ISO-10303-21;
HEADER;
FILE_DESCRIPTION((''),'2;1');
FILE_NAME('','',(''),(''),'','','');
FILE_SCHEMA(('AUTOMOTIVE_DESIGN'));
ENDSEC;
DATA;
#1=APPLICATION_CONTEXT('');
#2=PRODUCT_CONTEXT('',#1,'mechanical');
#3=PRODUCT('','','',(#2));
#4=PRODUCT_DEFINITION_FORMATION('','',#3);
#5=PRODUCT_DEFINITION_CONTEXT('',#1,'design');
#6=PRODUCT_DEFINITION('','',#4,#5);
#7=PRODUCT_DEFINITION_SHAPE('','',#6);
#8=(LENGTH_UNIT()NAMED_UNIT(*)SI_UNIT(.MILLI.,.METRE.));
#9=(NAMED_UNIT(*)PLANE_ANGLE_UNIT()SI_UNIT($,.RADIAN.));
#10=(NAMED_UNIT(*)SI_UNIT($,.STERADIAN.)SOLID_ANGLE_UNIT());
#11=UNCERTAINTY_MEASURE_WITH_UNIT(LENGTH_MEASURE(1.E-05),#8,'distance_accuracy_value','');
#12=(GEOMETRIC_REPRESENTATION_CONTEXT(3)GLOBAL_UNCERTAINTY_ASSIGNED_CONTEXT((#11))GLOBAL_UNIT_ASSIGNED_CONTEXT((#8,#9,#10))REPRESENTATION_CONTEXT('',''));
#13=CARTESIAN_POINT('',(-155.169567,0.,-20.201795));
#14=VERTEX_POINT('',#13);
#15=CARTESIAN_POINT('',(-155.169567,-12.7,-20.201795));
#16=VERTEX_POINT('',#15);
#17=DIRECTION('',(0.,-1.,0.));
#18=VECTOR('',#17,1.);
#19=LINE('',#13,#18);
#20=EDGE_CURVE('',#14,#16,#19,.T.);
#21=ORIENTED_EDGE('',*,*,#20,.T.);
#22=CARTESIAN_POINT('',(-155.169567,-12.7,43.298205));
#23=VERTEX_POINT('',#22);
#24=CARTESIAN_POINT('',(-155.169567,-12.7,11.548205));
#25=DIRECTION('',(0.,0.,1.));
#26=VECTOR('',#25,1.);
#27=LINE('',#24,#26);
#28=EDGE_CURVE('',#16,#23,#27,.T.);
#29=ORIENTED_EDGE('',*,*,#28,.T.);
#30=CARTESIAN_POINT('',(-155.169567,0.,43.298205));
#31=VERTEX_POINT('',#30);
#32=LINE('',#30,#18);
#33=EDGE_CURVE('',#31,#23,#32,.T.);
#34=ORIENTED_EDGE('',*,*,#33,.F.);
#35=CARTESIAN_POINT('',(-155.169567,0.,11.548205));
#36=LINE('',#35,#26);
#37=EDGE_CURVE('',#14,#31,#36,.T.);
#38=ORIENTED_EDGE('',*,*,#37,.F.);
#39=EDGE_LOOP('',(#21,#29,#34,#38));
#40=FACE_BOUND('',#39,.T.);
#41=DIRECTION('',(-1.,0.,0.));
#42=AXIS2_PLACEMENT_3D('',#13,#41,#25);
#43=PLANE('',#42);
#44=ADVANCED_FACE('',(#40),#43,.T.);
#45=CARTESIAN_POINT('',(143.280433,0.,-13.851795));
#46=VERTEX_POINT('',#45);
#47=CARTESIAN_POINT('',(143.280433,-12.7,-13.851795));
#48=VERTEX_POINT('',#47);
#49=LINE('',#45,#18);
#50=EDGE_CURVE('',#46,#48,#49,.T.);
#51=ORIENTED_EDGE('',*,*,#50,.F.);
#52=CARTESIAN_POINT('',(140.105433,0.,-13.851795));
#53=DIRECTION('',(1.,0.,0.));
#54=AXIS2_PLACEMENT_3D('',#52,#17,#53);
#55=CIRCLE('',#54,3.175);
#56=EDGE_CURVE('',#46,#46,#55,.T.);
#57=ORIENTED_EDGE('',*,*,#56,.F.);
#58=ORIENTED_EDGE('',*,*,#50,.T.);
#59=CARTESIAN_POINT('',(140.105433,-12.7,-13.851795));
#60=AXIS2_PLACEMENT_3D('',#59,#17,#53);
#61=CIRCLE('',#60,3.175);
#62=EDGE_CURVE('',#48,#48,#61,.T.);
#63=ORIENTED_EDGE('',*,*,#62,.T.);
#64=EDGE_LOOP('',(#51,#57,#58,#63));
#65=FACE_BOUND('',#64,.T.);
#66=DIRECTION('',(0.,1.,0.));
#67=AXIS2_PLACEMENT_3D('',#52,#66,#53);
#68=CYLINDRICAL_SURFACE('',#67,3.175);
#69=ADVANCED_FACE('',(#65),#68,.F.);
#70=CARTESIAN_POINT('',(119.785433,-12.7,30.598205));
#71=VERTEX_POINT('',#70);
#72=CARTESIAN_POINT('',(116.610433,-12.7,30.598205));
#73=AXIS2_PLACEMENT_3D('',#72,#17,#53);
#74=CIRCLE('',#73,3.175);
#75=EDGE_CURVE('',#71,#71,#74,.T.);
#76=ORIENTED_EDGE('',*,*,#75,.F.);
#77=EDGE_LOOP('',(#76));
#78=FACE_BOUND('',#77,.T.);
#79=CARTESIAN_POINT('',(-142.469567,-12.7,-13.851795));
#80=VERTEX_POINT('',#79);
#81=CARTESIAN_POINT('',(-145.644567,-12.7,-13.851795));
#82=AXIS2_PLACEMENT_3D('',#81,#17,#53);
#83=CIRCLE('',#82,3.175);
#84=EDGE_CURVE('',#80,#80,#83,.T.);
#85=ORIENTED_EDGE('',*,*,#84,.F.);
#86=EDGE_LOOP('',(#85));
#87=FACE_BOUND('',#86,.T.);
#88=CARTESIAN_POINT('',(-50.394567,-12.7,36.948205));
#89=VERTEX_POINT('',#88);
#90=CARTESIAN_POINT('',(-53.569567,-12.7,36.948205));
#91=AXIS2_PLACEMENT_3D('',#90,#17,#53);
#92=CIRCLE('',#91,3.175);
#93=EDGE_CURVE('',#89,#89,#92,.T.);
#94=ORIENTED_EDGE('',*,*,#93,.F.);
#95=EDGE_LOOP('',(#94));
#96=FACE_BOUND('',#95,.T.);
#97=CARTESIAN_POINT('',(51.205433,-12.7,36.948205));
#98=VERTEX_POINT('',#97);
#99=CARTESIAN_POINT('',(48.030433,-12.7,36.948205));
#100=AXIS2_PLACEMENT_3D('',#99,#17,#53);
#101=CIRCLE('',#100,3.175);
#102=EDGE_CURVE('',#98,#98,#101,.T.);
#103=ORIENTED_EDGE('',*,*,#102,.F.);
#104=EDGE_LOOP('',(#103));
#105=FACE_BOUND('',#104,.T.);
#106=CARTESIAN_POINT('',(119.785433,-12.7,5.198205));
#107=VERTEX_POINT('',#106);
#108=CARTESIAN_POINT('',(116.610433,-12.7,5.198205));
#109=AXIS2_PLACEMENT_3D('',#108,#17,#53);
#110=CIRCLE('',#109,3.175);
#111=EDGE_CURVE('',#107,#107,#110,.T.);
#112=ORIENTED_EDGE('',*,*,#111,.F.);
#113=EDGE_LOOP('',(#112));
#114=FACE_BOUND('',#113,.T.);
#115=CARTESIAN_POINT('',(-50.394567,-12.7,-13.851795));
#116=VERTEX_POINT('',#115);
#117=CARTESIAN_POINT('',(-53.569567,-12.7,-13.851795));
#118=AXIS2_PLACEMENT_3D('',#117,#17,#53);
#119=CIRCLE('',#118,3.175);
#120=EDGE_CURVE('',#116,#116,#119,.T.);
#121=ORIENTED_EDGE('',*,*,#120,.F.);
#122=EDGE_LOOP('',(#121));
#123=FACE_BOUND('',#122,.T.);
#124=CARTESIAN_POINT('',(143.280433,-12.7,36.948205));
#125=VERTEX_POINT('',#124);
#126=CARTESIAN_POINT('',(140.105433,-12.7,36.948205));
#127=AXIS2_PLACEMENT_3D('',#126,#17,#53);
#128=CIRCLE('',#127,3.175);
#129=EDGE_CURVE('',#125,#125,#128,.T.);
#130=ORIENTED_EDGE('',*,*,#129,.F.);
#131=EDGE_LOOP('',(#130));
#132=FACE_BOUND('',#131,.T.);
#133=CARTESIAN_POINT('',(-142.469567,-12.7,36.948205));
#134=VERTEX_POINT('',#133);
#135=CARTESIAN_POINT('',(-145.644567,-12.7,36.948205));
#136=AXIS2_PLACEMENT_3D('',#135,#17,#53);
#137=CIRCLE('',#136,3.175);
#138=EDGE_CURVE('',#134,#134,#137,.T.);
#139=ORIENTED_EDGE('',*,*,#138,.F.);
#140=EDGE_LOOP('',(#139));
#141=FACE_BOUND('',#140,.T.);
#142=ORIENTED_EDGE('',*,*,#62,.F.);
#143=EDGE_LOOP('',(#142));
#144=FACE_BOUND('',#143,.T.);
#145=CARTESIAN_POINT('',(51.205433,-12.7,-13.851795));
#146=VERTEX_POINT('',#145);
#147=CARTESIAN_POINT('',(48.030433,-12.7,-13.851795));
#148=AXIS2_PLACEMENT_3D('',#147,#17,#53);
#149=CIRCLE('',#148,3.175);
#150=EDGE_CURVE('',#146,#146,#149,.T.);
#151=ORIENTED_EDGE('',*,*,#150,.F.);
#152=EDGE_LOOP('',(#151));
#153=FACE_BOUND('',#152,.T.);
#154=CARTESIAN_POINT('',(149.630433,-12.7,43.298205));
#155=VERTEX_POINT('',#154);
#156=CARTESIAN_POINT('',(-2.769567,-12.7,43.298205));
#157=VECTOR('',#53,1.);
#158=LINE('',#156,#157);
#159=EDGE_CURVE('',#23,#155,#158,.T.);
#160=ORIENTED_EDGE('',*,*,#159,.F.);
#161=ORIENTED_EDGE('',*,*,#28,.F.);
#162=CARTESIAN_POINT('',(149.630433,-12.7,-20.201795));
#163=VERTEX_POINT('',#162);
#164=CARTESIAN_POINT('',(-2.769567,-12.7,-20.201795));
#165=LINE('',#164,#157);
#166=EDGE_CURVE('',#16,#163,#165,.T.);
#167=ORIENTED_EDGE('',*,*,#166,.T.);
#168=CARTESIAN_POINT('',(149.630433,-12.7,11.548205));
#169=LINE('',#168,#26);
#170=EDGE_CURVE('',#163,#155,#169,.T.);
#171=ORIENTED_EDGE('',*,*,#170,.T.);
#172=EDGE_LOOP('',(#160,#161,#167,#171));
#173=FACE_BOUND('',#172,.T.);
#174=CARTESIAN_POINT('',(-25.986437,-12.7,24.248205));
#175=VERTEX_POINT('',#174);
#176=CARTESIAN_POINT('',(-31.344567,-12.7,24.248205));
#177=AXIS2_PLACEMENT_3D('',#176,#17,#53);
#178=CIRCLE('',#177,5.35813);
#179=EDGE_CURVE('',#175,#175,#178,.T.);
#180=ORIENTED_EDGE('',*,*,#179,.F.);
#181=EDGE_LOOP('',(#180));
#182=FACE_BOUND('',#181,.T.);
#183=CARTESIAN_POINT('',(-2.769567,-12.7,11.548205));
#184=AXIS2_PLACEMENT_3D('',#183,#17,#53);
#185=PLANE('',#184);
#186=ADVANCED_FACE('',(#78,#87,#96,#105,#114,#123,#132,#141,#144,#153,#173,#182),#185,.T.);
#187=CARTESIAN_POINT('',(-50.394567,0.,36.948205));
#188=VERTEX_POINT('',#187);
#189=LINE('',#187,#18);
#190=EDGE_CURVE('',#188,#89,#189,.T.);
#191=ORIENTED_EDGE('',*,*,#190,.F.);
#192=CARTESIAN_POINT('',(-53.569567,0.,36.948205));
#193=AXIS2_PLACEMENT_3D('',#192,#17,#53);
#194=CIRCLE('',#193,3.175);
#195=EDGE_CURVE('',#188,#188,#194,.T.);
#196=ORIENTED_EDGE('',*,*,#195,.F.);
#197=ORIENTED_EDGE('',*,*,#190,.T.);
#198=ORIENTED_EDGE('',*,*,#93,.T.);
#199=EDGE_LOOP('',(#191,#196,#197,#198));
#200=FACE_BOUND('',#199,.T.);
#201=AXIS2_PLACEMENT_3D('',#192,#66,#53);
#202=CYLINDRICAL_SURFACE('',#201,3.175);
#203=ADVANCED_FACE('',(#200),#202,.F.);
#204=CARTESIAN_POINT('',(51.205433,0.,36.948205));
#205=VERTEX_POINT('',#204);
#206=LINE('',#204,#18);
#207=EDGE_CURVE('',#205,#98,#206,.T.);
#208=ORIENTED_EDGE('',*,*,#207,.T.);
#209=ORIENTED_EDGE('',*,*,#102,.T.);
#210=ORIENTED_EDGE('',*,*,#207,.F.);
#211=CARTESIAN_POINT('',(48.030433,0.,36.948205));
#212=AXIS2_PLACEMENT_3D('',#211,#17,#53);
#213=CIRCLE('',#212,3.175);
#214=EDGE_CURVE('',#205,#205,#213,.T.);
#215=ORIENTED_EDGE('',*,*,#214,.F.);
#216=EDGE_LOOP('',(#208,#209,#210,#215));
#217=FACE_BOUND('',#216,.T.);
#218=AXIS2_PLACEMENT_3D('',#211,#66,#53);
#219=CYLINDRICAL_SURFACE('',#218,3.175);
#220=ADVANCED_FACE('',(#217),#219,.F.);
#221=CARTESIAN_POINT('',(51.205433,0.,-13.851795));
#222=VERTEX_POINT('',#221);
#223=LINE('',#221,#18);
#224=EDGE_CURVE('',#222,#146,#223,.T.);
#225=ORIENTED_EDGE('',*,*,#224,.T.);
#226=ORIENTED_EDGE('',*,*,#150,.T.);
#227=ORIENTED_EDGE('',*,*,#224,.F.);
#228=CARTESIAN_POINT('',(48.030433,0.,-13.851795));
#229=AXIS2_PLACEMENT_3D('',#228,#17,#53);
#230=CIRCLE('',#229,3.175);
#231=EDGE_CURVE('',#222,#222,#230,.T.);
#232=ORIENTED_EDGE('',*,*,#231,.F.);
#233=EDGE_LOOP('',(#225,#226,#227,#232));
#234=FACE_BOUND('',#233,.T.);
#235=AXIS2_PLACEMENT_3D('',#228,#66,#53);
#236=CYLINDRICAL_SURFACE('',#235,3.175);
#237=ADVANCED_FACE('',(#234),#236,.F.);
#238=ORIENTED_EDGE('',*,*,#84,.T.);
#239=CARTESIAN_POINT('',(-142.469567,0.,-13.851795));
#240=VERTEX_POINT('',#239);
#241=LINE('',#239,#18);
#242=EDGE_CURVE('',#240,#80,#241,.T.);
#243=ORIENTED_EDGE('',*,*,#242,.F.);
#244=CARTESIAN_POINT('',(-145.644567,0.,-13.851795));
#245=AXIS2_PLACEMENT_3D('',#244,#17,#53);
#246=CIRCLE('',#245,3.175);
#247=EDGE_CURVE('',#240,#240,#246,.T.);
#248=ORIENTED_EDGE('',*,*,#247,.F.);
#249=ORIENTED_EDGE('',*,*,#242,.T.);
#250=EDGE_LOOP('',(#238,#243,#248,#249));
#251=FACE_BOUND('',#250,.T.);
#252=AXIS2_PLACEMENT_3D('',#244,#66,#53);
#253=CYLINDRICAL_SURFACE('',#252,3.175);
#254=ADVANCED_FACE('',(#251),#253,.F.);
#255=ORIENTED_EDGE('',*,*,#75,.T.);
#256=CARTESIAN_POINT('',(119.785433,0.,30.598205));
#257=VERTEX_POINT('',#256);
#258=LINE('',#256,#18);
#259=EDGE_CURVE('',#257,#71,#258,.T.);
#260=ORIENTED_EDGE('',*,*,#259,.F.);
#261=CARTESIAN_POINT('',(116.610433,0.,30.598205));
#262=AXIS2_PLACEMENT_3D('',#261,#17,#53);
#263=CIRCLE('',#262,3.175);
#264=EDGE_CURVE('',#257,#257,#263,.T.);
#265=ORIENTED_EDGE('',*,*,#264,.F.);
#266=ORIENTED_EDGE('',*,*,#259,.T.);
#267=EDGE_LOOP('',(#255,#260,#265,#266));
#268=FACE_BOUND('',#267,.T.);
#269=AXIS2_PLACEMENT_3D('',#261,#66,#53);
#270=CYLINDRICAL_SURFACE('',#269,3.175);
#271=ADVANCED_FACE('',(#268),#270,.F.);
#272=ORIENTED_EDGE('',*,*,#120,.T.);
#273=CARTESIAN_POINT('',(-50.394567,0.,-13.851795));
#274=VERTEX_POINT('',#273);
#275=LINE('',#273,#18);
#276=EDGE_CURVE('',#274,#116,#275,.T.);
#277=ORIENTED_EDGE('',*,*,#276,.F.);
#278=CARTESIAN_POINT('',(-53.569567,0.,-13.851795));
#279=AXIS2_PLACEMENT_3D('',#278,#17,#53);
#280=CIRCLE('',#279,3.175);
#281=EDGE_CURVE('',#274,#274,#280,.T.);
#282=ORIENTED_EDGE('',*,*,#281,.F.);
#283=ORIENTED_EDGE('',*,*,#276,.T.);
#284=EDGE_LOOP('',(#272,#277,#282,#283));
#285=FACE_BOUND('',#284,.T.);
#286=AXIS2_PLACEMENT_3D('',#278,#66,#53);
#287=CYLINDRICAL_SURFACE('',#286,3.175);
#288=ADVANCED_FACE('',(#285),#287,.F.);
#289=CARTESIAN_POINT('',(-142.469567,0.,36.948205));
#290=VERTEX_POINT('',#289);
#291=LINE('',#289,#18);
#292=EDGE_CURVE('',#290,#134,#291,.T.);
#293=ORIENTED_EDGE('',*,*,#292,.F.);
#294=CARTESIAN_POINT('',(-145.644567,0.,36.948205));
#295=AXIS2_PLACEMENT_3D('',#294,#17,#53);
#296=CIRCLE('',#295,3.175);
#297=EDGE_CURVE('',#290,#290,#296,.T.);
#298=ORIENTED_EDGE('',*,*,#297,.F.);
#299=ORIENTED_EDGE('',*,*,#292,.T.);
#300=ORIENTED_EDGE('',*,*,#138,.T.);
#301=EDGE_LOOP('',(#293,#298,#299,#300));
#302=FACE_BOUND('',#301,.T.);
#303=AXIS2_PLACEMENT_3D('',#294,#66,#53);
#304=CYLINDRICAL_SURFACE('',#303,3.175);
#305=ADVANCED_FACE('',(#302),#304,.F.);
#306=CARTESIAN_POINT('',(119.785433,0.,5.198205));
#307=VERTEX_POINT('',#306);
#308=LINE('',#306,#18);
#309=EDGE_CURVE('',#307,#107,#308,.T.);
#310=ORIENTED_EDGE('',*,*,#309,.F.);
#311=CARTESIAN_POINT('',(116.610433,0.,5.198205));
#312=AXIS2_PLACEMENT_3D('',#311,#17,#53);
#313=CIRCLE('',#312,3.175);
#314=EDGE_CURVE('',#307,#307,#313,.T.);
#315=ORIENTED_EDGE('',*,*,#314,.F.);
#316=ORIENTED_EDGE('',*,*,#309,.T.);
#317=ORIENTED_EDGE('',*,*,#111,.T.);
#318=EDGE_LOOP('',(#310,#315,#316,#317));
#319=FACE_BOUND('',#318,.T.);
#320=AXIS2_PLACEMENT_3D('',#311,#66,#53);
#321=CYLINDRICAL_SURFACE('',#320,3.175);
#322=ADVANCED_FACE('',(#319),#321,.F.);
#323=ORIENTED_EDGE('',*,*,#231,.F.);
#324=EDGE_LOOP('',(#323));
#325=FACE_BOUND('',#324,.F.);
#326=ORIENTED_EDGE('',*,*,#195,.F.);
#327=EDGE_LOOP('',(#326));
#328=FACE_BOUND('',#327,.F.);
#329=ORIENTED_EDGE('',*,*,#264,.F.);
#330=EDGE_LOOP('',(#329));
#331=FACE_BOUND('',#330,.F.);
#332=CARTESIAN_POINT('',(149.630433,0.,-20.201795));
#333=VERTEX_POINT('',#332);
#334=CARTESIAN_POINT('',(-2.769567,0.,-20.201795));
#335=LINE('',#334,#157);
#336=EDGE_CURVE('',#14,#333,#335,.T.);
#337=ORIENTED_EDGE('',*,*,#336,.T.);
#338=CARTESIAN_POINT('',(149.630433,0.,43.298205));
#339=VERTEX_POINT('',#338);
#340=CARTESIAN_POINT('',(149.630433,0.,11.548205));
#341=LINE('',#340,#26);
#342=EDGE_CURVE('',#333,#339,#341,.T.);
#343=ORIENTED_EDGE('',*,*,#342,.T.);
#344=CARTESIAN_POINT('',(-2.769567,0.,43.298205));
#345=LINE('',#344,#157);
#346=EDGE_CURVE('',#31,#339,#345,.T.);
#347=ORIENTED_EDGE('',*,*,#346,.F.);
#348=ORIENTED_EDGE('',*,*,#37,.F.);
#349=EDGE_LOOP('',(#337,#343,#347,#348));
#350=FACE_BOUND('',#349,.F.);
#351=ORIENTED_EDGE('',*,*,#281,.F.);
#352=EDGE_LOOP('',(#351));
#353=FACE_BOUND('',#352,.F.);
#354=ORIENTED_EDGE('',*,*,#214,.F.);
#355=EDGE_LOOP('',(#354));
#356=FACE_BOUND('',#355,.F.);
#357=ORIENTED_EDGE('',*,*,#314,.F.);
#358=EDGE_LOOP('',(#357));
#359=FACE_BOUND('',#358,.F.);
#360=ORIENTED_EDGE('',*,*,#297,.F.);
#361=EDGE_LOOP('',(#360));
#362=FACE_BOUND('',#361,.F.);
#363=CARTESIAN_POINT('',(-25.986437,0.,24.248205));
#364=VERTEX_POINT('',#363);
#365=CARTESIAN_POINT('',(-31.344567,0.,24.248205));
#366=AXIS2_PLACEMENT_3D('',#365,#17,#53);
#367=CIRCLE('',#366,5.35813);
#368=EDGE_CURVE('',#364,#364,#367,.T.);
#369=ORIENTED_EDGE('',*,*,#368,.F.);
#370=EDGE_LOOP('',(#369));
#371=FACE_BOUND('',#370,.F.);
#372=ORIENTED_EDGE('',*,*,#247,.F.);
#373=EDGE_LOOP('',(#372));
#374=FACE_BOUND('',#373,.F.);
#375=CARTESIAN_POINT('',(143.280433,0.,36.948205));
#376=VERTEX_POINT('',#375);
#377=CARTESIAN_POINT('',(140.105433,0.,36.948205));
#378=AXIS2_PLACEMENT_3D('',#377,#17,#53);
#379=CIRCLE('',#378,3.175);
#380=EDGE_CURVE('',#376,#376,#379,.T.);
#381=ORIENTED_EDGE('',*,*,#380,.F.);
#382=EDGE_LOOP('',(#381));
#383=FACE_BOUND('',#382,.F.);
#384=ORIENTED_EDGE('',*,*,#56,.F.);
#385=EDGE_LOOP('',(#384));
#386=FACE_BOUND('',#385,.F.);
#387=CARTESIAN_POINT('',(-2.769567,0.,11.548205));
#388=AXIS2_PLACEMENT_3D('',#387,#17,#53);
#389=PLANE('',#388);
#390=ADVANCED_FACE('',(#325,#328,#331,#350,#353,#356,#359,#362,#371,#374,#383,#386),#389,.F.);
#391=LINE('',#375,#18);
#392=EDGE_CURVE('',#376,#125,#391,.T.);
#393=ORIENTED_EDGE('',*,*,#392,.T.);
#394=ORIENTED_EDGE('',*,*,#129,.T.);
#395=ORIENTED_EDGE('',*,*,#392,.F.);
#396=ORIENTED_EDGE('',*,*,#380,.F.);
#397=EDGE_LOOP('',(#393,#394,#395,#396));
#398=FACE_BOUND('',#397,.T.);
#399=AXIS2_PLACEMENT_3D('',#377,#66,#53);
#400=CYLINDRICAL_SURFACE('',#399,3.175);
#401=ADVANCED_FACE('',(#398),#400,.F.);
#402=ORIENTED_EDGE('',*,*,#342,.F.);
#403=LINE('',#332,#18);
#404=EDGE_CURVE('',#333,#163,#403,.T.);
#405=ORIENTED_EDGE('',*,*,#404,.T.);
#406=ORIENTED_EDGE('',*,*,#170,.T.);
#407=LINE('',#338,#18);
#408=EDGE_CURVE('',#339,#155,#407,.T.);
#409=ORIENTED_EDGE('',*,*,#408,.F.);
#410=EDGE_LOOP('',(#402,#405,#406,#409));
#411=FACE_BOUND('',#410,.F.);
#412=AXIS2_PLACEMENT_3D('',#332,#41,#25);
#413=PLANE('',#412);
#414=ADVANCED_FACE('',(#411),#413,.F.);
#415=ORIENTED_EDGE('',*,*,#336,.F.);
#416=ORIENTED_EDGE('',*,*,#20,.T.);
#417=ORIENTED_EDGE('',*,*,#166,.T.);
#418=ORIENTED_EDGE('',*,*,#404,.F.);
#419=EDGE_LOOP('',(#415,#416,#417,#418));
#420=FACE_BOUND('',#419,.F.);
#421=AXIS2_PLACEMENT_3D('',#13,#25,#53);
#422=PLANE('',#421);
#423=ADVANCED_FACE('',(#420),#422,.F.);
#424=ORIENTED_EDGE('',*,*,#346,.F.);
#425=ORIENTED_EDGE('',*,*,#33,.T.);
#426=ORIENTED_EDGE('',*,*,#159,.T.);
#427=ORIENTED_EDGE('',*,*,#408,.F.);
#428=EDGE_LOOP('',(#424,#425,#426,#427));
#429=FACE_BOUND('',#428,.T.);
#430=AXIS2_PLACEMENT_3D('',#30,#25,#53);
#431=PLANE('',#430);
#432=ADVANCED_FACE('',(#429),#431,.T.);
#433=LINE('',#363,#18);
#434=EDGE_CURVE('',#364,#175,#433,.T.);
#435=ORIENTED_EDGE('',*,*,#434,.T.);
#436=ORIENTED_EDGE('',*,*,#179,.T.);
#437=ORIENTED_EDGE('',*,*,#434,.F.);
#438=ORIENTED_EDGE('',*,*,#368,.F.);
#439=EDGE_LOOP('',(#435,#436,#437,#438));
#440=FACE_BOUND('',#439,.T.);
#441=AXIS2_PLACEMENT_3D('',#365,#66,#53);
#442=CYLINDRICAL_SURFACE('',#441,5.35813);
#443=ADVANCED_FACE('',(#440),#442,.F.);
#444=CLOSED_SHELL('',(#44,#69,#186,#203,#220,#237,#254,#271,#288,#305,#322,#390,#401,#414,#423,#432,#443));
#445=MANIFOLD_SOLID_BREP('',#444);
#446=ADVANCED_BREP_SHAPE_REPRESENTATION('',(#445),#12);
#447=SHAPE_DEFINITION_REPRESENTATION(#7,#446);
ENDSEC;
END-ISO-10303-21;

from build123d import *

# Parameters (mm, degrees)
F0_W     = 304.8
F0_H     = 63.5
F0_R     = 3.175
F0_R_2   = 5.35813
F1_DEPTH = 12.7


with BuildPart() as f1:
    # F0 (on Front) → F1 (new body)
    with BuildSketch(Plane.XZ):
        with Locations((-2.769567, 11.548205)):
            Rectangle(F0_W, F0_H)
        with Locations((-145.644567, -13.851795)):
            Circle(F0_R, mode=Mode.SUBTRACT)
        with Locations((-53.569567, -13.851795)):
            Circle(F0_R, mode=Mode.SUBTRACT)
        with Locations((48.030433, -13.851795)):
            Circle(F0_R, mode=Mode.SUBTRACT)
        with Locations((140.105433, -13.851795)):
            Circle(F0_R, mode=Mode.SUBTRACT)
        with Locations((116.610433, 5.198205)):
            Circle(F0_R, mode=Mode.SUBTRACT)
        with Locations((-31.344567, 24.248205)):
            Circle(F0_R_2, mode=Mode.SUBTRACT)
        with Locations((-145.644567, 36.948205)):
            Circle(F0_R, mode=Mode.SUBTRACT)
        with Locations((-53.569567, 36.948205)):
            Circle(F0_R, mode=Mode.SUBTRACT)
        with Locations((48.030433, 36.948205)):
            Circle(F0_R, mode=Mode.SUBTRACT)
        with Locations((116.610433, 30.598205)):
            Circle(F0_R, mode=Mode.SUBTRACT)
        with Locations((140.105433, 36.948205)):
            Circle(F0_R, mode=Mode.SUBTRACT)
    extrude(amount=F1_DEPTH)


solid = f1.part
